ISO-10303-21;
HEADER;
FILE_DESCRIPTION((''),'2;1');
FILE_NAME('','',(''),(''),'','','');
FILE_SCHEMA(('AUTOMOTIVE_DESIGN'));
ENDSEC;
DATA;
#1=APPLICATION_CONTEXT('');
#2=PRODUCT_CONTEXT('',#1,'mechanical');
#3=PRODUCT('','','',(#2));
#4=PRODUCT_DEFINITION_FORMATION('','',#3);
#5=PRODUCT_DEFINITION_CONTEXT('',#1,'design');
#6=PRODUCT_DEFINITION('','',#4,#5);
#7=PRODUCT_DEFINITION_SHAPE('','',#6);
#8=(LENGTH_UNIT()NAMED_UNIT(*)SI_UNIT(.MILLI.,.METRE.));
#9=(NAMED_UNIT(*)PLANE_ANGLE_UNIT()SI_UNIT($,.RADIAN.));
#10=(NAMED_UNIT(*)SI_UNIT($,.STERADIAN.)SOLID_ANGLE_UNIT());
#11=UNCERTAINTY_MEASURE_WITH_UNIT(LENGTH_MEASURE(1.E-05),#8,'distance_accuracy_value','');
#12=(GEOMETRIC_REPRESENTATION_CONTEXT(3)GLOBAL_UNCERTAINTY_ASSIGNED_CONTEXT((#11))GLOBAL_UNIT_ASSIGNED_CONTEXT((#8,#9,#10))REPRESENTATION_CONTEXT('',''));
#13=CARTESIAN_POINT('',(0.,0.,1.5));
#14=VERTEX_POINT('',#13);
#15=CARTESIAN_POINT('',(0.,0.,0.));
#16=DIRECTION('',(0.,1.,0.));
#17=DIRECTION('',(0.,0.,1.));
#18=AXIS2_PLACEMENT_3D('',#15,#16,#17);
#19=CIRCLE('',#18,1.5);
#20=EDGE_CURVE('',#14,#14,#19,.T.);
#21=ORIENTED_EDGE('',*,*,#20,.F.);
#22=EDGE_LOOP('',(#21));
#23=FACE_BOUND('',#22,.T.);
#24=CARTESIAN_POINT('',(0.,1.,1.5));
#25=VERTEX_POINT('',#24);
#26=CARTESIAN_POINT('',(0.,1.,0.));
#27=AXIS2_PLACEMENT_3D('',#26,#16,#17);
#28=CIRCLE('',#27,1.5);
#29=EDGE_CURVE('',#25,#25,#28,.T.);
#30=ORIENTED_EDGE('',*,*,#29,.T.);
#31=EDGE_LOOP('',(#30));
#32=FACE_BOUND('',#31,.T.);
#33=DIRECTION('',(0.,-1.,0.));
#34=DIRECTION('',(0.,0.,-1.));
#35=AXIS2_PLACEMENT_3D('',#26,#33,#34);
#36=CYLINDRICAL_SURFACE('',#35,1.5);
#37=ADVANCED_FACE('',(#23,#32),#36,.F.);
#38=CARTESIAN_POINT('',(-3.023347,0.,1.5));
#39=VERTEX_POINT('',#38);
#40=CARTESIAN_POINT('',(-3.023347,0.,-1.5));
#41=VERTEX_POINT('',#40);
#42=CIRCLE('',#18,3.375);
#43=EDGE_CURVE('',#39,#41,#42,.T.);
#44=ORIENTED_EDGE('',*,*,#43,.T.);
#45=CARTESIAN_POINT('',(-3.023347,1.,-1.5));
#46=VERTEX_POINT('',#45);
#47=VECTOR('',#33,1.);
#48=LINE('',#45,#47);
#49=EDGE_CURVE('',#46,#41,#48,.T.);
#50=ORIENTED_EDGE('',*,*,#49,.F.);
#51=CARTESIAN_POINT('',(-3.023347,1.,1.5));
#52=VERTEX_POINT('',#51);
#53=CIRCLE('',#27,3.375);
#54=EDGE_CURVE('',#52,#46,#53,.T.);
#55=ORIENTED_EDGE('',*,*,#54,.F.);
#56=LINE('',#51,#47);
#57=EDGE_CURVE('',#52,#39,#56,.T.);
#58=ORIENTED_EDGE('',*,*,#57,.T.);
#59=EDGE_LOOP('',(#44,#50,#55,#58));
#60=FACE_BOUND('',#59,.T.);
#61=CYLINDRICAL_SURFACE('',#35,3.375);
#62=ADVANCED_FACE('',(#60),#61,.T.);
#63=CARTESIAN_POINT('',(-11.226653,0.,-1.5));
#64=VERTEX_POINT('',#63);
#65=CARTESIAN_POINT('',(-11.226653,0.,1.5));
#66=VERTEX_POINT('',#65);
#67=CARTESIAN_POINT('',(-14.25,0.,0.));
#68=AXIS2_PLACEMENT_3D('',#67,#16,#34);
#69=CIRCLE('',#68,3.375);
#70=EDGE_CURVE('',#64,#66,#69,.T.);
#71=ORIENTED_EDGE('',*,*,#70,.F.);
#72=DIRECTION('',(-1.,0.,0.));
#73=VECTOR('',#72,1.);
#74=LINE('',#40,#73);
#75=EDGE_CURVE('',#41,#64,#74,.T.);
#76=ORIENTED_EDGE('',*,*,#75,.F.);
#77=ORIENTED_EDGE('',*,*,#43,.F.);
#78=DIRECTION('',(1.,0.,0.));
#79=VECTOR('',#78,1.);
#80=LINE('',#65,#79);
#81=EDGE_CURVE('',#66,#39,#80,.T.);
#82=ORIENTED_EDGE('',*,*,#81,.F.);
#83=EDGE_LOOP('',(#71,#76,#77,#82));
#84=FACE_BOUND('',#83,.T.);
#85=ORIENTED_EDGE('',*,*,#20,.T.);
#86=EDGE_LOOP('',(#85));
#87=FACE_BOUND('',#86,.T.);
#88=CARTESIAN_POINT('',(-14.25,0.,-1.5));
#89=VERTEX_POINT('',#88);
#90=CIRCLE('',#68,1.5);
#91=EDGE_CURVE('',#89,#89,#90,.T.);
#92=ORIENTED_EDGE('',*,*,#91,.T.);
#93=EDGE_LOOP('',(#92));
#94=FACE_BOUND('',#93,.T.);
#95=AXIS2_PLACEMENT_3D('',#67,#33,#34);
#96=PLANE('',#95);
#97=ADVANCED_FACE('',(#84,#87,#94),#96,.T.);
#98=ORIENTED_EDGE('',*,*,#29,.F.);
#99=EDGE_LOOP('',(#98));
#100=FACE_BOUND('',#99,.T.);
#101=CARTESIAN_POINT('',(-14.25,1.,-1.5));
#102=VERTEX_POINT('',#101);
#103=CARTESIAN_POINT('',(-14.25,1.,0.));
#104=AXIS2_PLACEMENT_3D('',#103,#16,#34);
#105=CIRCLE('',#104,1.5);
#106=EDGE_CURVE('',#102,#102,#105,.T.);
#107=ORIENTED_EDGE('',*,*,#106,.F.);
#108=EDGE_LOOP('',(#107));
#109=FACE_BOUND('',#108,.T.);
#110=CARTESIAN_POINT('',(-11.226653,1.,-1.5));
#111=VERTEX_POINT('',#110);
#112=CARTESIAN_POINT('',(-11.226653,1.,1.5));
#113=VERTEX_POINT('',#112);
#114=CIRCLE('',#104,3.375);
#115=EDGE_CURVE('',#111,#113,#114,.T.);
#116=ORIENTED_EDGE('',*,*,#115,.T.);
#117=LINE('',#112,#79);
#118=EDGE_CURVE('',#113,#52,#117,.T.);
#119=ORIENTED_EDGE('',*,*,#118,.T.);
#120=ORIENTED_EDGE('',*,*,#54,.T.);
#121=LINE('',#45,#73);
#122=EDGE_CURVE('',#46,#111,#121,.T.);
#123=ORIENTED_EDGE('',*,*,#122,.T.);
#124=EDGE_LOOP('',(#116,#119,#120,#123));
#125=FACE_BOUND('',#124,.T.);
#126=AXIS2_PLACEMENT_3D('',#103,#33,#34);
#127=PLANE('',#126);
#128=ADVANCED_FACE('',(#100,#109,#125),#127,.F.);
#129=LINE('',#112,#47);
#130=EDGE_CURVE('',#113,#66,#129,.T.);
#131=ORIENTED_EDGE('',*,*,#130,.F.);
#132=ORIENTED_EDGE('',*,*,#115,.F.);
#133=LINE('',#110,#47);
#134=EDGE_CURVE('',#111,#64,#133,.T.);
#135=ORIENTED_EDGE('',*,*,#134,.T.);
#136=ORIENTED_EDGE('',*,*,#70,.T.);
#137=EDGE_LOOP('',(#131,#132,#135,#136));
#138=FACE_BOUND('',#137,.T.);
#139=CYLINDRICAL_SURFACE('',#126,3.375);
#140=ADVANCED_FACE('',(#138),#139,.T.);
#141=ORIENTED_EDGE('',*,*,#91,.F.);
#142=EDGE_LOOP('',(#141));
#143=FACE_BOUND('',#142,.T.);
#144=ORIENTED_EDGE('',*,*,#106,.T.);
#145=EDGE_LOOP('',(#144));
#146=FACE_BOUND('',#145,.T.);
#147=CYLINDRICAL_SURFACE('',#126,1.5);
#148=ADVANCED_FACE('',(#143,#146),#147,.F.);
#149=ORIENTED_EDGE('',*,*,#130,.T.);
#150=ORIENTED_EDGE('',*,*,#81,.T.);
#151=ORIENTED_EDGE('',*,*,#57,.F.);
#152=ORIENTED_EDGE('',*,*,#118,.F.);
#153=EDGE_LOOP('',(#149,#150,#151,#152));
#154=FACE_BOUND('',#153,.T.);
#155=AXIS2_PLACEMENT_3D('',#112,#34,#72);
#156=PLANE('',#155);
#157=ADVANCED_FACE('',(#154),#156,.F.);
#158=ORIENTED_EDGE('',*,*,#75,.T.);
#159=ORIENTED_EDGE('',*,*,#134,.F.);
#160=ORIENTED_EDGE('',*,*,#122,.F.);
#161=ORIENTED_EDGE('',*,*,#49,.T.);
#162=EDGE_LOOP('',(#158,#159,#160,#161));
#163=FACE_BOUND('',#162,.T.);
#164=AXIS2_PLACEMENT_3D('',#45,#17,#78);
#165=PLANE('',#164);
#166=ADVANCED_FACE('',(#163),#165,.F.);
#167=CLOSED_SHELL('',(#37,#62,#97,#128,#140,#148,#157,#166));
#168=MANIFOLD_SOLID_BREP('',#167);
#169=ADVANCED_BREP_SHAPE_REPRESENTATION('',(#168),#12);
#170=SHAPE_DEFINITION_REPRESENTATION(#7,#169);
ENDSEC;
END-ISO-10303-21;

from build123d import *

# Parameters (mm, degrees)
SKETCH1_R           = 1.5
BOSS_EXTRUDE1_DEPTH = 1


with BuildPart() as part:
    # Sketch1 → Boss-Extrude1 (new body)
    with BuildSketch(Plane(origin=(0, 0, 0), x_dir=(1, 0, 0), z_dir=(0, 1, 0))):
        with BuildLine():
            Line((-3.023346656, 1.5), (-11.226653344, 1.5))
            ThreePointArc((-11.226653344, 1.5), (-17.625, 0), (-11.226653344, -1.5))
            Line((-11.226653344, -1.5), (-3.023346656, -1.5))
            ThreePointArc((-3.023346656, -1.5), (3.375, 0), (-3.023346656, 1.5))
        make_face()
        Circle(SKETCH1_R, mode=Mode.SUBTRACT)
        with Locations((-14.25, 0)):
            Circle(SKETCH1_R, mode=Mode.SUBTRACT)
    extrude(amount=BOSS_EXTRUDE1_DEPTH)


solid = part.part
